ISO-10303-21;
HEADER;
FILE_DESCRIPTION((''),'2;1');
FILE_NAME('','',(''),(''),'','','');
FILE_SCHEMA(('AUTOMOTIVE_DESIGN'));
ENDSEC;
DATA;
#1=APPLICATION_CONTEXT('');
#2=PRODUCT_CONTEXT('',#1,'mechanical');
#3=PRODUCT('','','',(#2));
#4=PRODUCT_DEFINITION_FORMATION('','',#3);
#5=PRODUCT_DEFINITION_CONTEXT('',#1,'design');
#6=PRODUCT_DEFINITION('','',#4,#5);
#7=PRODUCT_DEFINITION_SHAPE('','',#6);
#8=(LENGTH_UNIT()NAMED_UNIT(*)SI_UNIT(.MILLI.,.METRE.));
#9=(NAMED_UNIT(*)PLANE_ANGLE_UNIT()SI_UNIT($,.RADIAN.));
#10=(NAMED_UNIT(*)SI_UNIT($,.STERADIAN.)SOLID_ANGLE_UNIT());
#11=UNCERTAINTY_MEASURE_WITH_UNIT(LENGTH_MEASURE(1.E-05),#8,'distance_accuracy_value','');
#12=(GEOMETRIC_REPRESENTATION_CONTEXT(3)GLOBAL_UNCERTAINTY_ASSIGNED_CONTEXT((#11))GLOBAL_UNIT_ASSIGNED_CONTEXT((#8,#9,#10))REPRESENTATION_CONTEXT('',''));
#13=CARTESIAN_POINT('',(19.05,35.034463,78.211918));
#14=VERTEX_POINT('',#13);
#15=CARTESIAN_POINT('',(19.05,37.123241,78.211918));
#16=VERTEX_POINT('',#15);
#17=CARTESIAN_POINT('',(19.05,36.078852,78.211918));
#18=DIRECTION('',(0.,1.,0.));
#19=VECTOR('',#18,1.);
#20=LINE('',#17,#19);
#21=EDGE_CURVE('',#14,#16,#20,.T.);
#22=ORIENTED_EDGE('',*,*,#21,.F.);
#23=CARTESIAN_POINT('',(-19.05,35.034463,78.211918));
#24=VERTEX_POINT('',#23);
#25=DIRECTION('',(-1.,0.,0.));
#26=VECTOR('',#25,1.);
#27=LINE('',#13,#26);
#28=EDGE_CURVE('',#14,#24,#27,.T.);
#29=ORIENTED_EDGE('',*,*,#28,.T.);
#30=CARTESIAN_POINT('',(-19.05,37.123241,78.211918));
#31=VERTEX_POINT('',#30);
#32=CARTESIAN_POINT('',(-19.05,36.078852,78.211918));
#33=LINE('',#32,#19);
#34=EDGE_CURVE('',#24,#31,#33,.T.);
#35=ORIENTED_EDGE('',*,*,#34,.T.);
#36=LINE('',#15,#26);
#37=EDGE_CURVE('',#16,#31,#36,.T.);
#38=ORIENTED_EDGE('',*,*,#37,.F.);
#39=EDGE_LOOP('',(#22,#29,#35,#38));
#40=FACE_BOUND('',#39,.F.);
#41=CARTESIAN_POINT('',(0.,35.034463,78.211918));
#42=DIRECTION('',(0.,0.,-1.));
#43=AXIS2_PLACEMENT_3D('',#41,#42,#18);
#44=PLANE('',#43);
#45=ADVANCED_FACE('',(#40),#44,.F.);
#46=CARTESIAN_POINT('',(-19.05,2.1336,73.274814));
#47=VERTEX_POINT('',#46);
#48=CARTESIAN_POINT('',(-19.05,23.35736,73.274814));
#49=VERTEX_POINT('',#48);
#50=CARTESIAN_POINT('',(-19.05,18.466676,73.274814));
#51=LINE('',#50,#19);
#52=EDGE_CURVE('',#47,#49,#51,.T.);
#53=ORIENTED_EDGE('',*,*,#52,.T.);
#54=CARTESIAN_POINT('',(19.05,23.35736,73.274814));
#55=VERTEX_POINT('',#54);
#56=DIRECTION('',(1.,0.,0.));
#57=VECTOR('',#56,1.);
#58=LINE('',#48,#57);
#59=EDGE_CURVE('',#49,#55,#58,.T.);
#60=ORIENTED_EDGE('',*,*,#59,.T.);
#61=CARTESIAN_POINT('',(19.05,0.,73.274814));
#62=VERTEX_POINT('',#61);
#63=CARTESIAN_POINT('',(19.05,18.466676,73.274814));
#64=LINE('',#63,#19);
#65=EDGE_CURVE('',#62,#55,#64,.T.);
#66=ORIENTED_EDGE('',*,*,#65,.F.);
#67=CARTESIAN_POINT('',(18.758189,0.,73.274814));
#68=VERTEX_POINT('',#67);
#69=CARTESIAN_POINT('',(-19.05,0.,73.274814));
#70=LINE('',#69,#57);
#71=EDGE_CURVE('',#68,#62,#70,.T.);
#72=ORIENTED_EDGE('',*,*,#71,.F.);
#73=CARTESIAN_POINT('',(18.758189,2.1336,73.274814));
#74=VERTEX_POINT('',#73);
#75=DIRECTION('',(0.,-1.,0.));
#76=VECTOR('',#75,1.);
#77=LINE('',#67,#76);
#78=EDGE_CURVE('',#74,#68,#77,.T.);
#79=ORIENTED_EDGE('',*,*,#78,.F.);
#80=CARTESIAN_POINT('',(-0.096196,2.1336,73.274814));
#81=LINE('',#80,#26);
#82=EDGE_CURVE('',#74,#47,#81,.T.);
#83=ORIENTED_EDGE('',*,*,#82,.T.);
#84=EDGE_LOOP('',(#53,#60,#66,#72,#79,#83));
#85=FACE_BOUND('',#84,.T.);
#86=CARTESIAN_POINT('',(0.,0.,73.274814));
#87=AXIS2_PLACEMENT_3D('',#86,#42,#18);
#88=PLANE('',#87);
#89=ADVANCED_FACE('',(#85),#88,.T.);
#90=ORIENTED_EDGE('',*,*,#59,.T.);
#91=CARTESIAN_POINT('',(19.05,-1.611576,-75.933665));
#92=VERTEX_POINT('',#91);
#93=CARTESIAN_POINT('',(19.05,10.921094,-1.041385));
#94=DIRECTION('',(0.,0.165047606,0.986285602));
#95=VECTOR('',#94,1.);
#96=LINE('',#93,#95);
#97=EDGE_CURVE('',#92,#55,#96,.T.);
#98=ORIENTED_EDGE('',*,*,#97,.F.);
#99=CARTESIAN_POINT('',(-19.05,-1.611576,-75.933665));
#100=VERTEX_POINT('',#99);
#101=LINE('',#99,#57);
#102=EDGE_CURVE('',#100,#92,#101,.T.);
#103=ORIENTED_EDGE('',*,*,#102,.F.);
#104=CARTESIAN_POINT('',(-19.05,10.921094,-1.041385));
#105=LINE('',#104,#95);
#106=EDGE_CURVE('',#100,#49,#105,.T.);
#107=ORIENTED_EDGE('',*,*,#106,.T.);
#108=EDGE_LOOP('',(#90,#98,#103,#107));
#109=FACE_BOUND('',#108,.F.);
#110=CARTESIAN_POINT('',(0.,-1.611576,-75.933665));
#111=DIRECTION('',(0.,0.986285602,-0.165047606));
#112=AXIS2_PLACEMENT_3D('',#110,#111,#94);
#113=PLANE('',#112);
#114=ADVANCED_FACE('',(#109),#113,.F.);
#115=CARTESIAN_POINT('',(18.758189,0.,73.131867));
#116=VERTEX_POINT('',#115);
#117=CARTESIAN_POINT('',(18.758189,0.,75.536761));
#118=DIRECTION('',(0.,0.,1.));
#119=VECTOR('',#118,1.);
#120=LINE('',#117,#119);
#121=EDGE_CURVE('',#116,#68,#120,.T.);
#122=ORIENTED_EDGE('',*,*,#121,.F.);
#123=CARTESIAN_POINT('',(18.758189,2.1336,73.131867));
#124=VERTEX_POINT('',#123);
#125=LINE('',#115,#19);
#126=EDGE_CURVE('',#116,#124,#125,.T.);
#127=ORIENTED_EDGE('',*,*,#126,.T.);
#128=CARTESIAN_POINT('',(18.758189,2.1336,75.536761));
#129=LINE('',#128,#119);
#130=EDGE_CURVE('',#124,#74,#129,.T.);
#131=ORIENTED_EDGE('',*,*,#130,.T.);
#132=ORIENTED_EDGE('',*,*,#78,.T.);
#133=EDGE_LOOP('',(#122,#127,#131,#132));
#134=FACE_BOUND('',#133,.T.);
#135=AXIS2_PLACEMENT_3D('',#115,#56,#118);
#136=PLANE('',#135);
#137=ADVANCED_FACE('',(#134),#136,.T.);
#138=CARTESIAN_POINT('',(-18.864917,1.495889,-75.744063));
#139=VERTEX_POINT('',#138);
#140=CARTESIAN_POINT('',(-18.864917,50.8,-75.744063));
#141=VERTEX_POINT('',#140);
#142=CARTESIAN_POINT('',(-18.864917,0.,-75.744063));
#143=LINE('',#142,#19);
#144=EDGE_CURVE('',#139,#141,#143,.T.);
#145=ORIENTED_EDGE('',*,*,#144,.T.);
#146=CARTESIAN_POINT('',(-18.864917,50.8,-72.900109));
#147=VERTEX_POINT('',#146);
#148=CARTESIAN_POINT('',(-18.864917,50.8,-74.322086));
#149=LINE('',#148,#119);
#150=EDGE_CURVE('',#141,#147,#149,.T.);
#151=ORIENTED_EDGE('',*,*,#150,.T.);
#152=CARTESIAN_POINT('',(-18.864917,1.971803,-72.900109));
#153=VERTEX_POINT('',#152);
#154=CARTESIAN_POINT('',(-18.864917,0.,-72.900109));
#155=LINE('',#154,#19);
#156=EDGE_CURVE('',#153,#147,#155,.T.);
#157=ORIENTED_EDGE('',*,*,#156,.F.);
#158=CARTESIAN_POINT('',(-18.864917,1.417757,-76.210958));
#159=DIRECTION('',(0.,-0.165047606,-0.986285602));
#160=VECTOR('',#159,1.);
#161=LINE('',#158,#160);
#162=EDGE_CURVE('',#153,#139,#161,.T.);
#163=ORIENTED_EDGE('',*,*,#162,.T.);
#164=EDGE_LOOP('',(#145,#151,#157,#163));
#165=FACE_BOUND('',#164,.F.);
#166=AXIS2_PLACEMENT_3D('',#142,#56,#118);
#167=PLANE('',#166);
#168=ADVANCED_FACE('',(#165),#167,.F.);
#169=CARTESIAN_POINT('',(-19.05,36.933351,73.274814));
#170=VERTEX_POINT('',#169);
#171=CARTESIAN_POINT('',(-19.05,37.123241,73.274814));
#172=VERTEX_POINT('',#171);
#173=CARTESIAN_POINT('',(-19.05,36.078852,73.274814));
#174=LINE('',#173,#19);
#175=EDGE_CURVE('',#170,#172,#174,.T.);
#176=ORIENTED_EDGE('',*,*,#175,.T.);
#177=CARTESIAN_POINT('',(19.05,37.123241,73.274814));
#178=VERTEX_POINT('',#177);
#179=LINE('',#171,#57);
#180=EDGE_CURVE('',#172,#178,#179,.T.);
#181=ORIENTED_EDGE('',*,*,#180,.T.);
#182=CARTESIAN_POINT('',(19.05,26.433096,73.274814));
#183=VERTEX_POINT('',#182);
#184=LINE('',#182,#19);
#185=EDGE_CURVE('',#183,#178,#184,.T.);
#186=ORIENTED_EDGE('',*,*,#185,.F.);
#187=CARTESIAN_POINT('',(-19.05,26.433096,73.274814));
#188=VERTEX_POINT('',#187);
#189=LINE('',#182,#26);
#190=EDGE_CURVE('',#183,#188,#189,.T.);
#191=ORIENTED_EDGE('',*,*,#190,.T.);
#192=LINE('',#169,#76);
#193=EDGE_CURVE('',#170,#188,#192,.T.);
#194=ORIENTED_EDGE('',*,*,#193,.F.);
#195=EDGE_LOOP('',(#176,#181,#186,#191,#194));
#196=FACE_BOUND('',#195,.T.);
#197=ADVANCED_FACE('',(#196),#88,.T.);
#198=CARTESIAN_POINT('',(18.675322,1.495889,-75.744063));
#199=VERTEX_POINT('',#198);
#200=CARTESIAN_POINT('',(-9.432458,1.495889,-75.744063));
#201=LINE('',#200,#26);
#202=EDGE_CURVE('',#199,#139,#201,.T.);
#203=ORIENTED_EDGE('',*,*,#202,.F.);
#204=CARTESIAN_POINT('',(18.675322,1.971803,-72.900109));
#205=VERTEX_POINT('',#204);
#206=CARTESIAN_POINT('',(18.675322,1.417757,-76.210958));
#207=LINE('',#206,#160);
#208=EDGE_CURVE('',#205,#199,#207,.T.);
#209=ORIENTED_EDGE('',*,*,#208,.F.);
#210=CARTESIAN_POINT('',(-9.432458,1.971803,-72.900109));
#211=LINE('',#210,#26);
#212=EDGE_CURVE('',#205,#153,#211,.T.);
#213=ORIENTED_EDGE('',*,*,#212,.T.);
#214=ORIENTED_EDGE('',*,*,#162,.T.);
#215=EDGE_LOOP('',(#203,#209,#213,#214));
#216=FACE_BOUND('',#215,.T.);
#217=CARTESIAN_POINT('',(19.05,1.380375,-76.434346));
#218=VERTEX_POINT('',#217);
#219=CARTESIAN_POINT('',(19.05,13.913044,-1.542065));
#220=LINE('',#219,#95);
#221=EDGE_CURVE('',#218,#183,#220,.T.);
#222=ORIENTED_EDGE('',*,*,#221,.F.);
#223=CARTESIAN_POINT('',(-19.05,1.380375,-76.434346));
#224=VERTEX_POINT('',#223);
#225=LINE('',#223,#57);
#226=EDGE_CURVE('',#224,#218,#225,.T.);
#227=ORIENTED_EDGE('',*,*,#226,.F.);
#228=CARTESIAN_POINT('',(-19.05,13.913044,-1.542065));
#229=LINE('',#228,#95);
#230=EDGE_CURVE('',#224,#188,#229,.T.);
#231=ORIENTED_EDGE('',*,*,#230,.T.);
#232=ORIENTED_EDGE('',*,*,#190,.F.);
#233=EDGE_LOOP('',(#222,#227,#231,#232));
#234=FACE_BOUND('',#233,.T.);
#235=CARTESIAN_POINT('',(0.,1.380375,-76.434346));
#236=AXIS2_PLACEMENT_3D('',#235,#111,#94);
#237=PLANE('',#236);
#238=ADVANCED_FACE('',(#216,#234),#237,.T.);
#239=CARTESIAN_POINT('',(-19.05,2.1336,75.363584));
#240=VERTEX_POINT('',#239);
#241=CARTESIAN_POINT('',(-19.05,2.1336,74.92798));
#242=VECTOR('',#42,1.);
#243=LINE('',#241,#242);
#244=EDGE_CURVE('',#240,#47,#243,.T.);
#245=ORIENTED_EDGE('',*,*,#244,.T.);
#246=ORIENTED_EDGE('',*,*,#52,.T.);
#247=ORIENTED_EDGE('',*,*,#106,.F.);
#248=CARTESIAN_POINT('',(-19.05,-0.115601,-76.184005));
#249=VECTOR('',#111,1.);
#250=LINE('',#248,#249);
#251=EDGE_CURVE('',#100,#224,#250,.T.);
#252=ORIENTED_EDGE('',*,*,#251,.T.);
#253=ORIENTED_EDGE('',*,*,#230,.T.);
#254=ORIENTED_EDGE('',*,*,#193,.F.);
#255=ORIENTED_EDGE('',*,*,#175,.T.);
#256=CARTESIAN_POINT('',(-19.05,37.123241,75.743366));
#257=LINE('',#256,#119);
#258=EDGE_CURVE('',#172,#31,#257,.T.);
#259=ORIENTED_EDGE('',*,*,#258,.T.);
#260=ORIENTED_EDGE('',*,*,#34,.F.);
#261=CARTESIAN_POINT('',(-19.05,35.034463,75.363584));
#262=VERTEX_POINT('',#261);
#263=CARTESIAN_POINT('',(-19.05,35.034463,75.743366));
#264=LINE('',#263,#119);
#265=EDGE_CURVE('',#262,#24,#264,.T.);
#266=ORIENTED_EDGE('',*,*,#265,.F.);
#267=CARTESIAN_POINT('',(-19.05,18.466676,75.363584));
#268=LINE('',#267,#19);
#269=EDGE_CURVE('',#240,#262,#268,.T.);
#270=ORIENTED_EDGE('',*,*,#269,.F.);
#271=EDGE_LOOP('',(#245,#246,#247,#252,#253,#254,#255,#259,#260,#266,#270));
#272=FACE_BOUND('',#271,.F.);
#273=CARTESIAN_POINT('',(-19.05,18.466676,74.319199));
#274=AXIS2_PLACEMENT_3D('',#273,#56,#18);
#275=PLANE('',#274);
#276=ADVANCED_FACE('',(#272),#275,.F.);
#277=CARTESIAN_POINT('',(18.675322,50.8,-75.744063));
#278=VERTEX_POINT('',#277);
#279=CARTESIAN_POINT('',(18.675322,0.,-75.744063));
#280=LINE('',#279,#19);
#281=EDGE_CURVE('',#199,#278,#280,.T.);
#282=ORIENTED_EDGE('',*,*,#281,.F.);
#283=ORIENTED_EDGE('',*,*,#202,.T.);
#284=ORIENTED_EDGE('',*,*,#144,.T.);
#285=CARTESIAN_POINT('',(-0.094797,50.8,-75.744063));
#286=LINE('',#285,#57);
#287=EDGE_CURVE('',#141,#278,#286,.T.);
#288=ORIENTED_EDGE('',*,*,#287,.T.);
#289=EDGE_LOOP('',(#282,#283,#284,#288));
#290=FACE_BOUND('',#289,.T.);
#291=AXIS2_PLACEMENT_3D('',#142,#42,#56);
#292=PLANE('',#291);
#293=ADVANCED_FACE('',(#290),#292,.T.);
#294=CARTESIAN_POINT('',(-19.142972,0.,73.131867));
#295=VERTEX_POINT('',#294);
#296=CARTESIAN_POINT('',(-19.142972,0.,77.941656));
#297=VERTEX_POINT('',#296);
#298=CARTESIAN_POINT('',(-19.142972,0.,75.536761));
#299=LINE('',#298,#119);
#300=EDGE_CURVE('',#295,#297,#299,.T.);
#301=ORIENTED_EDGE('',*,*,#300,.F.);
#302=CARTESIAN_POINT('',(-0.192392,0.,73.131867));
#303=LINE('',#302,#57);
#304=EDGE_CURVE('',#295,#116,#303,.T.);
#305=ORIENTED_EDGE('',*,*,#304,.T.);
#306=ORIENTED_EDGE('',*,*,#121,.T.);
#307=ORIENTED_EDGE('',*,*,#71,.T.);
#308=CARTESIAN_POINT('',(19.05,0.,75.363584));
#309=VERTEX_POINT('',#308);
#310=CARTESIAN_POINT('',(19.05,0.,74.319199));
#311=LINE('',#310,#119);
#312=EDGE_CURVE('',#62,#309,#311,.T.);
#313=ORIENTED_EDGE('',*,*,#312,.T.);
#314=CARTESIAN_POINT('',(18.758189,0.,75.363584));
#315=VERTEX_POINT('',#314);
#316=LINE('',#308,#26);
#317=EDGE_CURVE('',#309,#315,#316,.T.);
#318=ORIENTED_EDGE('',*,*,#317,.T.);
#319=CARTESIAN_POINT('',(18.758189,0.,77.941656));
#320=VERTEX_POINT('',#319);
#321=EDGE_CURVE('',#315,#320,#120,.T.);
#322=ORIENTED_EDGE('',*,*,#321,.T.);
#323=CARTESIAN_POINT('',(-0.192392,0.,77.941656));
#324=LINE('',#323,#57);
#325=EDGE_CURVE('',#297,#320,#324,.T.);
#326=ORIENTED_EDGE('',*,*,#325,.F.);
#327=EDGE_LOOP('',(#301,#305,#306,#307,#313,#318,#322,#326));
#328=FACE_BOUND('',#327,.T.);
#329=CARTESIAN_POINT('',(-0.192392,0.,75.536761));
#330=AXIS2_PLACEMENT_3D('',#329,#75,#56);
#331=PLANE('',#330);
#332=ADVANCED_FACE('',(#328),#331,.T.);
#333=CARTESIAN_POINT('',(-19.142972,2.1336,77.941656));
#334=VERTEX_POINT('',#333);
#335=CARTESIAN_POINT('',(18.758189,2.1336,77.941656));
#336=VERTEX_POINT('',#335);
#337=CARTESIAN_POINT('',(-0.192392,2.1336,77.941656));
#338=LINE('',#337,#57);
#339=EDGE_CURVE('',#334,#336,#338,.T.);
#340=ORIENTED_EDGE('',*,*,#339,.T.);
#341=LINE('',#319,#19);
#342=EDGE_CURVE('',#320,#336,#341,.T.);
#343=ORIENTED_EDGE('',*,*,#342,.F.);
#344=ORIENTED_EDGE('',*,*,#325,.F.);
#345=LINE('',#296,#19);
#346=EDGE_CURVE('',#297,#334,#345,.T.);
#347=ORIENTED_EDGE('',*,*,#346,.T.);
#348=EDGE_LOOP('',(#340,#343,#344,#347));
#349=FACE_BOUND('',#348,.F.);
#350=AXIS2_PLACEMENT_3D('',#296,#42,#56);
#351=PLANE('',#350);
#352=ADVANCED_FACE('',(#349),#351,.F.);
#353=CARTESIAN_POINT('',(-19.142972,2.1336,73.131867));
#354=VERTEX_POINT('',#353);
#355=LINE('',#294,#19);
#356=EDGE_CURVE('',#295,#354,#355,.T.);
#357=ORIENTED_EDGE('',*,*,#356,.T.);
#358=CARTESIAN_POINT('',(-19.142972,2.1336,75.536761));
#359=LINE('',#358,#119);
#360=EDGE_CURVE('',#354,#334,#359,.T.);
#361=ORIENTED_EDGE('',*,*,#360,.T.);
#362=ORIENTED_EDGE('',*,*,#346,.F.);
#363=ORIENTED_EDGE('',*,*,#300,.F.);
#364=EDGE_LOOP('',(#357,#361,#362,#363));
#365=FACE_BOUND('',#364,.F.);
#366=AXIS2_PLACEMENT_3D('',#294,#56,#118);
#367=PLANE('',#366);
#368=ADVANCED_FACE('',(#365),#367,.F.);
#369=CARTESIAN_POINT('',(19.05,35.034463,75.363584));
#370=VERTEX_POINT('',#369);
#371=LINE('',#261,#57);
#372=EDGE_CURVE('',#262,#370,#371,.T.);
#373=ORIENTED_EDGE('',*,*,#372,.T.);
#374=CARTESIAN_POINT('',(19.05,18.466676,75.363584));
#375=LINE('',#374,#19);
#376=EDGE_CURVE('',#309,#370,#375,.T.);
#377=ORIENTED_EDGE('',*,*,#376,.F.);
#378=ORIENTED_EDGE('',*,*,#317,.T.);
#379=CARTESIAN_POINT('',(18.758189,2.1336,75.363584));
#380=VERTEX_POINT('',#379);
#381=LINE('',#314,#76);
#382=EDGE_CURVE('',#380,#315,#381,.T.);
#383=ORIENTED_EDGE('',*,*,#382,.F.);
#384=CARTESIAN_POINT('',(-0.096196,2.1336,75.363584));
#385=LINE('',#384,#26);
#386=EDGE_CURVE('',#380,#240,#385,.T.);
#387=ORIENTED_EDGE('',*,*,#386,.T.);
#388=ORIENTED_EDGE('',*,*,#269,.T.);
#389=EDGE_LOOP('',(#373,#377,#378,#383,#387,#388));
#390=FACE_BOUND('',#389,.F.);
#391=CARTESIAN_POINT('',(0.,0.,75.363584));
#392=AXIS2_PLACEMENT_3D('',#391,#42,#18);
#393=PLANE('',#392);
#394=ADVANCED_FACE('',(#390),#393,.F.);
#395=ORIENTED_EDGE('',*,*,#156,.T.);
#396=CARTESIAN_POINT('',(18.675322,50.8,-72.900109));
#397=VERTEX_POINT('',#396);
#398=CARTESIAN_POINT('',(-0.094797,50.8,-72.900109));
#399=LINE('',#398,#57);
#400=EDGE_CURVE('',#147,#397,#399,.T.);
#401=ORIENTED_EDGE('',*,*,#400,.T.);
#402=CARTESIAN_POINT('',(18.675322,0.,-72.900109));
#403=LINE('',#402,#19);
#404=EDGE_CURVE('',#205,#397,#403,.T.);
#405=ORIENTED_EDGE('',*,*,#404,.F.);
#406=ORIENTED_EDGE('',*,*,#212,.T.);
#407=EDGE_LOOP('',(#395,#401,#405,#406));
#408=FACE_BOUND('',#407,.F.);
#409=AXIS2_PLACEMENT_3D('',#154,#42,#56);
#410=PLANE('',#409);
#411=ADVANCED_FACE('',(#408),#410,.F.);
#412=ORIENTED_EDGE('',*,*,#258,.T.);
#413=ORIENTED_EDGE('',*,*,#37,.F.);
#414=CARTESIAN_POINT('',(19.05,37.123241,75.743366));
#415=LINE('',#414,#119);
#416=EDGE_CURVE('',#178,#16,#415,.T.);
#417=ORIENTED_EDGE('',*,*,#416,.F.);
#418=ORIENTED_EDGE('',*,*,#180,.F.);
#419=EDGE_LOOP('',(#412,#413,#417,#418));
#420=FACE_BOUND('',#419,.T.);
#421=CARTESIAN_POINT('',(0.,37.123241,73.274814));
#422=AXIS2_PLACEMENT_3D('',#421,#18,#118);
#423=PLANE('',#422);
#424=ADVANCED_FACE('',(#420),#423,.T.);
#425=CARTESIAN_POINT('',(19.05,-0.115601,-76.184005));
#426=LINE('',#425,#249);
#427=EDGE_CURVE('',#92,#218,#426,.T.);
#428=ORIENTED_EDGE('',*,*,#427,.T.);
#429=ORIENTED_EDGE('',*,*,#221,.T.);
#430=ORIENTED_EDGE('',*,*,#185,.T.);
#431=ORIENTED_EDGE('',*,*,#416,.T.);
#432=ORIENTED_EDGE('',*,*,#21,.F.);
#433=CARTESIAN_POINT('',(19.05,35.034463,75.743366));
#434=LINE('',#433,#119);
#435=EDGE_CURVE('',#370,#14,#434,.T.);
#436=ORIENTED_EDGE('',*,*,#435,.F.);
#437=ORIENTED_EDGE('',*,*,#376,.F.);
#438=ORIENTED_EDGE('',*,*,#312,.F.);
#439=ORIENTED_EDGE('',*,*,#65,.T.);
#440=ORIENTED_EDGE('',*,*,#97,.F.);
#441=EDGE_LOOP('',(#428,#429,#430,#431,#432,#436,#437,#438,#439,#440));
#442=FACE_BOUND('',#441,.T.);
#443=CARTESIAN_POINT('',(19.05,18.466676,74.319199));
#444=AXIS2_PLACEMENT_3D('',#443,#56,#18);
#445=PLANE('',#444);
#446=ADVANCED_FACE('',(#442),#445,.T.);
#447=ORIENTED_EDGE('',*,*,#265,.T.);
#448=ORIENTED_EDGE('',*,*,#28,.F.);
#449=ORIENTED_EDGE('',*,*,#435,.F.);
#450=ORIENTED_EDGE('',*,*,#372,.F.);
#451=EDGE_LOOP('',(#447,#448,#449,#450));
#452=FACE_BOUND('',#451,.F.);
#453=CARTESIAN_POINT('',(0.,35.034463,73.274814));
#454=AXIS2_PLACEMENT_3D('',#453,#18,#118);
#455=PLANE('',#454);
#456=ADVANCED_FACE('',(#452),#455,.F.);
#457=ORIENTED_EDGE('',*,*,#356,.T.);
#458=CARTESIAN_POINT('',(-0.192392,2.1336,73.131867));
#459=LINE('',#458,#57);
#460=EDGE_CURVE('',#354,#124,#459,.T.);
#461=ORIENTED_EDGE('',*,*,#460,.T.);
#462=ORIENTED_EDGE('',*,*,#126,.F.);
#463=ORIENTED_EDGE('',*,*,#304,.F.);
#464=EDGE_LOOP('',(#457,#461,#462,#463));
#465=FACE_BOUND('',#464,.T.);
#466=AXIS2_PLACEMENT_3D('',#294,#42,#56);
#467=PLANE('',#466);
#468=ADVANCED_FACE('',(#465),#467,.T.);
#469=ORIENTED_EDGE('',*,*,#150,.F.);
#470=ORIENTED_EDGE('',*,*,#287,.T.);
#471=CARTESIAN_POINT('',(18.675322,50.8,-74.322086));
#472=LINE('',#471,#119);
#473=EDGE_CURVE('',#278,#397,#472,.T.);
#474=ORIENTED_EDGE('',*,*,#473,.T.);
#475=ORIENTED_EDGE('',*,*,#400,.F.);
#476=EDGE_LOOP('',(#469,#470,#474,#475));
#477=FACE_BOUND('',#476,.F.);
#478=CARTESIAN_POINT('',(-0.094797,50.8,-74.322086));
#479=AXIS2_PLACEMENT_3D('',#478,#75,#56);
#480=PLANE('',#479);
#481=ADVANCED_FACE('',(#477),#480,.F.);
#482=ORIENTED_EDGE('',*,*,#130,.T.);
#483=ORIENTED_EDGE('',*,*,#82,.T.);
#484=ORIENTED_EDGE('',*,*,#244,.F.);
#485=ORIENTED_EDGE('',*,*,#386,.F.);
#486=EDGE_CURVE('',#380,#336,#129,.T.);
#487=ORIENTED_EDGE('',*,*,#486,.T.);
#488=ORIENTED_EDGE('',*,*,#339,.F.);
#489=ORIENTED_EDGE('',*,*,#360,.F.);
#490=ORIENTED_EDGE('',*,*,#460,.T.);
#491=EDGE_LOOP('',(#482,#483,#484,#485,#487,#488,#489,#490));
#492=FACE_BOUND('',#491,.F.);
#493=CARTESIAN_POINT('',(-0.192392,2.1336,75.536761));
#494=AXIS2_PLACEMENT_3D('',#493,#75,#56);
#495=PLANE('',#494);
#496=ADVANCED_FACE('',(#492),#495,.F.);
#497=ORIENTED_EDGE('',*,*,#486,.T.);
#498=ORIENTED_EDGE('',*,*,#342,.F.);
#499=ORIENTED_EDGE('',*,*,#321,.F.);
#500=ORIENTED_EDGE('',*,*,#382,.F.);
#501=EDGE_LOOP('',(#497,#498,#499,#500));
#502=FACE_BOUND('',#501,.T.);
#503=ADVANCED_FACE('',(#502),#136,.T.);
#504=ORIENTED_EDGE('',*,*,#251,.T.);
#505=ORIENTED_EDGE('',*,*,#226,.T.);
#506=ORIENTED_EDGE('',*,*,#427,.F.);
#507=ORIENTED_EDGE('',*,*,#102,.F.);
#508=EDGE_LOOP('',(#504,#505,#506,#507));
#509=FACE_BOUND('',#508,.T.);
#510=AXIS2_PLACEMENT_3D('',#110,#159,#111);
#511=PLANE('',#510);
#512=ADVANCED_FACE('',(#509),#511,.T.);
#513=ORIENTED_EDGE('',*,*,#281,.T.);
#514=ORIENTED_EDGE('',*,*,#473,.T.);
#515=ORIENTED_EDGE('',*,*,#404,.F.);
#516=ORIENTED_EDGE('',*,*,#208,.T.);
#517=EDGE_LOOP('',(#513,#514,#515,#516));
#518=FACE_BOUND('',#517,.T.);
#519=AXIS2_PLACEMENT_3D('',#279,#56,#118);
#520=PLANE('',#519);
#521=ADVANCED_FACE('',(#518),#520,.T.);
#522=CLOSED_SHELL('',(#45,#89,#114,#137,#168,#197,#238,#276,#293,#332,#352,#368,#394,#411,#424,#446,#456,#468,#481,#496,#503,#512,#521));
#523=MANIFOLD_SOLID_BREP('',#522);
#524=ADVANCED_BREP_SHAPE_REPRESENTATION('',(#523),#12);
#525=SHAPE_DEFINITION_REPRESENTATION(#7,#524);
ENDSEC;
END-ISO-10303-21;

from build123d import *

# Parameters (mm, degrees)
F0_W          = 3.0335542979
F0_H          = 151.8673300743
F1_DEPTH      = 19.05
F1_DEPTH_BACK = 19.05
F2_ANGLE      = 9.5
F3_W          = 37.5402383506
F3_H          = 2.8439536691
F4_DEPTH      = 50.8
F5_W          = 36.9333513081
F5_H          = 2.0887702703
F6_DEPTH      = 19.05
F6_DEPTH_BACK = 19.05
F7_W          = 2.0887777209
F7_H          = 4.9371048808
F8_DEPTH      = 19.05
F8_DEPTH_BACK = 19.05
F9_W          = 37.9011612386
F9_H          = 4.8097893596
F10_DEPTH     = 2.1336


with BuildPart() as f1:
    # F0 (on Right) → F1 (new body, two sides)
    with BuildSketch(Plane.YZ) as f1_sk:
        with Locations((-0.0947989174, 0)):
            Rectangle(F0_W, F0_H)
    extrude(amount=F1_DEPTH)
    extrude(f1_sk.sketch, amount=-F1_DEPTH_BACK)


with BuildPart() as f1_1:
    # F2: moved
    add(f1.part.rotate(Axis((0, -1.6115760664, -75.9336650372), (-1, 0, 0)), F2_ANGLE))

    # F3 (on Front) → F4 (join)
    with BuildSketch(Plane.XZ):
        with Locations((-0.0947974622, -74.3220858276)):
            Rectangle(F3_W, F3_H)
    extrude(amount=-F4_DEPTH)

    # F5 (on Right) → F6 (join, two sides)
    with BuildSketch(Plane.YZ) as f6_sk:
        with Locations((18.4666756541, 74.3191987276)):
            Rectangle(F5_W, F5_H)
    extrude(amount=F6_DEPTH)
    extrude(f6_sk.sketch, amount=-F6_DEPTH_BACK)

    # F7 (on Right) → F8 (join, two sides)
    with BuildSketch(Plane.YZ) as f8_sk:
        with Locations((36.07885167, 75.7433660328)):
            Rectangle(F7_W, F7_H)
    extrude(amount=F8_DEPTH)
    extrude(f8_sk.sketch, amount=-F8_DEPTH_BACK)

    # F9 (on Front) → F10 (join)
    with BuildSketch(Plane.XZ):
        with Locations((-0.1923916861, 75.5367614329)):
            Rectangle(F9_W, F9_H)
    extrude(amount=-F10_DEPTH)


solid = f1_1.part
